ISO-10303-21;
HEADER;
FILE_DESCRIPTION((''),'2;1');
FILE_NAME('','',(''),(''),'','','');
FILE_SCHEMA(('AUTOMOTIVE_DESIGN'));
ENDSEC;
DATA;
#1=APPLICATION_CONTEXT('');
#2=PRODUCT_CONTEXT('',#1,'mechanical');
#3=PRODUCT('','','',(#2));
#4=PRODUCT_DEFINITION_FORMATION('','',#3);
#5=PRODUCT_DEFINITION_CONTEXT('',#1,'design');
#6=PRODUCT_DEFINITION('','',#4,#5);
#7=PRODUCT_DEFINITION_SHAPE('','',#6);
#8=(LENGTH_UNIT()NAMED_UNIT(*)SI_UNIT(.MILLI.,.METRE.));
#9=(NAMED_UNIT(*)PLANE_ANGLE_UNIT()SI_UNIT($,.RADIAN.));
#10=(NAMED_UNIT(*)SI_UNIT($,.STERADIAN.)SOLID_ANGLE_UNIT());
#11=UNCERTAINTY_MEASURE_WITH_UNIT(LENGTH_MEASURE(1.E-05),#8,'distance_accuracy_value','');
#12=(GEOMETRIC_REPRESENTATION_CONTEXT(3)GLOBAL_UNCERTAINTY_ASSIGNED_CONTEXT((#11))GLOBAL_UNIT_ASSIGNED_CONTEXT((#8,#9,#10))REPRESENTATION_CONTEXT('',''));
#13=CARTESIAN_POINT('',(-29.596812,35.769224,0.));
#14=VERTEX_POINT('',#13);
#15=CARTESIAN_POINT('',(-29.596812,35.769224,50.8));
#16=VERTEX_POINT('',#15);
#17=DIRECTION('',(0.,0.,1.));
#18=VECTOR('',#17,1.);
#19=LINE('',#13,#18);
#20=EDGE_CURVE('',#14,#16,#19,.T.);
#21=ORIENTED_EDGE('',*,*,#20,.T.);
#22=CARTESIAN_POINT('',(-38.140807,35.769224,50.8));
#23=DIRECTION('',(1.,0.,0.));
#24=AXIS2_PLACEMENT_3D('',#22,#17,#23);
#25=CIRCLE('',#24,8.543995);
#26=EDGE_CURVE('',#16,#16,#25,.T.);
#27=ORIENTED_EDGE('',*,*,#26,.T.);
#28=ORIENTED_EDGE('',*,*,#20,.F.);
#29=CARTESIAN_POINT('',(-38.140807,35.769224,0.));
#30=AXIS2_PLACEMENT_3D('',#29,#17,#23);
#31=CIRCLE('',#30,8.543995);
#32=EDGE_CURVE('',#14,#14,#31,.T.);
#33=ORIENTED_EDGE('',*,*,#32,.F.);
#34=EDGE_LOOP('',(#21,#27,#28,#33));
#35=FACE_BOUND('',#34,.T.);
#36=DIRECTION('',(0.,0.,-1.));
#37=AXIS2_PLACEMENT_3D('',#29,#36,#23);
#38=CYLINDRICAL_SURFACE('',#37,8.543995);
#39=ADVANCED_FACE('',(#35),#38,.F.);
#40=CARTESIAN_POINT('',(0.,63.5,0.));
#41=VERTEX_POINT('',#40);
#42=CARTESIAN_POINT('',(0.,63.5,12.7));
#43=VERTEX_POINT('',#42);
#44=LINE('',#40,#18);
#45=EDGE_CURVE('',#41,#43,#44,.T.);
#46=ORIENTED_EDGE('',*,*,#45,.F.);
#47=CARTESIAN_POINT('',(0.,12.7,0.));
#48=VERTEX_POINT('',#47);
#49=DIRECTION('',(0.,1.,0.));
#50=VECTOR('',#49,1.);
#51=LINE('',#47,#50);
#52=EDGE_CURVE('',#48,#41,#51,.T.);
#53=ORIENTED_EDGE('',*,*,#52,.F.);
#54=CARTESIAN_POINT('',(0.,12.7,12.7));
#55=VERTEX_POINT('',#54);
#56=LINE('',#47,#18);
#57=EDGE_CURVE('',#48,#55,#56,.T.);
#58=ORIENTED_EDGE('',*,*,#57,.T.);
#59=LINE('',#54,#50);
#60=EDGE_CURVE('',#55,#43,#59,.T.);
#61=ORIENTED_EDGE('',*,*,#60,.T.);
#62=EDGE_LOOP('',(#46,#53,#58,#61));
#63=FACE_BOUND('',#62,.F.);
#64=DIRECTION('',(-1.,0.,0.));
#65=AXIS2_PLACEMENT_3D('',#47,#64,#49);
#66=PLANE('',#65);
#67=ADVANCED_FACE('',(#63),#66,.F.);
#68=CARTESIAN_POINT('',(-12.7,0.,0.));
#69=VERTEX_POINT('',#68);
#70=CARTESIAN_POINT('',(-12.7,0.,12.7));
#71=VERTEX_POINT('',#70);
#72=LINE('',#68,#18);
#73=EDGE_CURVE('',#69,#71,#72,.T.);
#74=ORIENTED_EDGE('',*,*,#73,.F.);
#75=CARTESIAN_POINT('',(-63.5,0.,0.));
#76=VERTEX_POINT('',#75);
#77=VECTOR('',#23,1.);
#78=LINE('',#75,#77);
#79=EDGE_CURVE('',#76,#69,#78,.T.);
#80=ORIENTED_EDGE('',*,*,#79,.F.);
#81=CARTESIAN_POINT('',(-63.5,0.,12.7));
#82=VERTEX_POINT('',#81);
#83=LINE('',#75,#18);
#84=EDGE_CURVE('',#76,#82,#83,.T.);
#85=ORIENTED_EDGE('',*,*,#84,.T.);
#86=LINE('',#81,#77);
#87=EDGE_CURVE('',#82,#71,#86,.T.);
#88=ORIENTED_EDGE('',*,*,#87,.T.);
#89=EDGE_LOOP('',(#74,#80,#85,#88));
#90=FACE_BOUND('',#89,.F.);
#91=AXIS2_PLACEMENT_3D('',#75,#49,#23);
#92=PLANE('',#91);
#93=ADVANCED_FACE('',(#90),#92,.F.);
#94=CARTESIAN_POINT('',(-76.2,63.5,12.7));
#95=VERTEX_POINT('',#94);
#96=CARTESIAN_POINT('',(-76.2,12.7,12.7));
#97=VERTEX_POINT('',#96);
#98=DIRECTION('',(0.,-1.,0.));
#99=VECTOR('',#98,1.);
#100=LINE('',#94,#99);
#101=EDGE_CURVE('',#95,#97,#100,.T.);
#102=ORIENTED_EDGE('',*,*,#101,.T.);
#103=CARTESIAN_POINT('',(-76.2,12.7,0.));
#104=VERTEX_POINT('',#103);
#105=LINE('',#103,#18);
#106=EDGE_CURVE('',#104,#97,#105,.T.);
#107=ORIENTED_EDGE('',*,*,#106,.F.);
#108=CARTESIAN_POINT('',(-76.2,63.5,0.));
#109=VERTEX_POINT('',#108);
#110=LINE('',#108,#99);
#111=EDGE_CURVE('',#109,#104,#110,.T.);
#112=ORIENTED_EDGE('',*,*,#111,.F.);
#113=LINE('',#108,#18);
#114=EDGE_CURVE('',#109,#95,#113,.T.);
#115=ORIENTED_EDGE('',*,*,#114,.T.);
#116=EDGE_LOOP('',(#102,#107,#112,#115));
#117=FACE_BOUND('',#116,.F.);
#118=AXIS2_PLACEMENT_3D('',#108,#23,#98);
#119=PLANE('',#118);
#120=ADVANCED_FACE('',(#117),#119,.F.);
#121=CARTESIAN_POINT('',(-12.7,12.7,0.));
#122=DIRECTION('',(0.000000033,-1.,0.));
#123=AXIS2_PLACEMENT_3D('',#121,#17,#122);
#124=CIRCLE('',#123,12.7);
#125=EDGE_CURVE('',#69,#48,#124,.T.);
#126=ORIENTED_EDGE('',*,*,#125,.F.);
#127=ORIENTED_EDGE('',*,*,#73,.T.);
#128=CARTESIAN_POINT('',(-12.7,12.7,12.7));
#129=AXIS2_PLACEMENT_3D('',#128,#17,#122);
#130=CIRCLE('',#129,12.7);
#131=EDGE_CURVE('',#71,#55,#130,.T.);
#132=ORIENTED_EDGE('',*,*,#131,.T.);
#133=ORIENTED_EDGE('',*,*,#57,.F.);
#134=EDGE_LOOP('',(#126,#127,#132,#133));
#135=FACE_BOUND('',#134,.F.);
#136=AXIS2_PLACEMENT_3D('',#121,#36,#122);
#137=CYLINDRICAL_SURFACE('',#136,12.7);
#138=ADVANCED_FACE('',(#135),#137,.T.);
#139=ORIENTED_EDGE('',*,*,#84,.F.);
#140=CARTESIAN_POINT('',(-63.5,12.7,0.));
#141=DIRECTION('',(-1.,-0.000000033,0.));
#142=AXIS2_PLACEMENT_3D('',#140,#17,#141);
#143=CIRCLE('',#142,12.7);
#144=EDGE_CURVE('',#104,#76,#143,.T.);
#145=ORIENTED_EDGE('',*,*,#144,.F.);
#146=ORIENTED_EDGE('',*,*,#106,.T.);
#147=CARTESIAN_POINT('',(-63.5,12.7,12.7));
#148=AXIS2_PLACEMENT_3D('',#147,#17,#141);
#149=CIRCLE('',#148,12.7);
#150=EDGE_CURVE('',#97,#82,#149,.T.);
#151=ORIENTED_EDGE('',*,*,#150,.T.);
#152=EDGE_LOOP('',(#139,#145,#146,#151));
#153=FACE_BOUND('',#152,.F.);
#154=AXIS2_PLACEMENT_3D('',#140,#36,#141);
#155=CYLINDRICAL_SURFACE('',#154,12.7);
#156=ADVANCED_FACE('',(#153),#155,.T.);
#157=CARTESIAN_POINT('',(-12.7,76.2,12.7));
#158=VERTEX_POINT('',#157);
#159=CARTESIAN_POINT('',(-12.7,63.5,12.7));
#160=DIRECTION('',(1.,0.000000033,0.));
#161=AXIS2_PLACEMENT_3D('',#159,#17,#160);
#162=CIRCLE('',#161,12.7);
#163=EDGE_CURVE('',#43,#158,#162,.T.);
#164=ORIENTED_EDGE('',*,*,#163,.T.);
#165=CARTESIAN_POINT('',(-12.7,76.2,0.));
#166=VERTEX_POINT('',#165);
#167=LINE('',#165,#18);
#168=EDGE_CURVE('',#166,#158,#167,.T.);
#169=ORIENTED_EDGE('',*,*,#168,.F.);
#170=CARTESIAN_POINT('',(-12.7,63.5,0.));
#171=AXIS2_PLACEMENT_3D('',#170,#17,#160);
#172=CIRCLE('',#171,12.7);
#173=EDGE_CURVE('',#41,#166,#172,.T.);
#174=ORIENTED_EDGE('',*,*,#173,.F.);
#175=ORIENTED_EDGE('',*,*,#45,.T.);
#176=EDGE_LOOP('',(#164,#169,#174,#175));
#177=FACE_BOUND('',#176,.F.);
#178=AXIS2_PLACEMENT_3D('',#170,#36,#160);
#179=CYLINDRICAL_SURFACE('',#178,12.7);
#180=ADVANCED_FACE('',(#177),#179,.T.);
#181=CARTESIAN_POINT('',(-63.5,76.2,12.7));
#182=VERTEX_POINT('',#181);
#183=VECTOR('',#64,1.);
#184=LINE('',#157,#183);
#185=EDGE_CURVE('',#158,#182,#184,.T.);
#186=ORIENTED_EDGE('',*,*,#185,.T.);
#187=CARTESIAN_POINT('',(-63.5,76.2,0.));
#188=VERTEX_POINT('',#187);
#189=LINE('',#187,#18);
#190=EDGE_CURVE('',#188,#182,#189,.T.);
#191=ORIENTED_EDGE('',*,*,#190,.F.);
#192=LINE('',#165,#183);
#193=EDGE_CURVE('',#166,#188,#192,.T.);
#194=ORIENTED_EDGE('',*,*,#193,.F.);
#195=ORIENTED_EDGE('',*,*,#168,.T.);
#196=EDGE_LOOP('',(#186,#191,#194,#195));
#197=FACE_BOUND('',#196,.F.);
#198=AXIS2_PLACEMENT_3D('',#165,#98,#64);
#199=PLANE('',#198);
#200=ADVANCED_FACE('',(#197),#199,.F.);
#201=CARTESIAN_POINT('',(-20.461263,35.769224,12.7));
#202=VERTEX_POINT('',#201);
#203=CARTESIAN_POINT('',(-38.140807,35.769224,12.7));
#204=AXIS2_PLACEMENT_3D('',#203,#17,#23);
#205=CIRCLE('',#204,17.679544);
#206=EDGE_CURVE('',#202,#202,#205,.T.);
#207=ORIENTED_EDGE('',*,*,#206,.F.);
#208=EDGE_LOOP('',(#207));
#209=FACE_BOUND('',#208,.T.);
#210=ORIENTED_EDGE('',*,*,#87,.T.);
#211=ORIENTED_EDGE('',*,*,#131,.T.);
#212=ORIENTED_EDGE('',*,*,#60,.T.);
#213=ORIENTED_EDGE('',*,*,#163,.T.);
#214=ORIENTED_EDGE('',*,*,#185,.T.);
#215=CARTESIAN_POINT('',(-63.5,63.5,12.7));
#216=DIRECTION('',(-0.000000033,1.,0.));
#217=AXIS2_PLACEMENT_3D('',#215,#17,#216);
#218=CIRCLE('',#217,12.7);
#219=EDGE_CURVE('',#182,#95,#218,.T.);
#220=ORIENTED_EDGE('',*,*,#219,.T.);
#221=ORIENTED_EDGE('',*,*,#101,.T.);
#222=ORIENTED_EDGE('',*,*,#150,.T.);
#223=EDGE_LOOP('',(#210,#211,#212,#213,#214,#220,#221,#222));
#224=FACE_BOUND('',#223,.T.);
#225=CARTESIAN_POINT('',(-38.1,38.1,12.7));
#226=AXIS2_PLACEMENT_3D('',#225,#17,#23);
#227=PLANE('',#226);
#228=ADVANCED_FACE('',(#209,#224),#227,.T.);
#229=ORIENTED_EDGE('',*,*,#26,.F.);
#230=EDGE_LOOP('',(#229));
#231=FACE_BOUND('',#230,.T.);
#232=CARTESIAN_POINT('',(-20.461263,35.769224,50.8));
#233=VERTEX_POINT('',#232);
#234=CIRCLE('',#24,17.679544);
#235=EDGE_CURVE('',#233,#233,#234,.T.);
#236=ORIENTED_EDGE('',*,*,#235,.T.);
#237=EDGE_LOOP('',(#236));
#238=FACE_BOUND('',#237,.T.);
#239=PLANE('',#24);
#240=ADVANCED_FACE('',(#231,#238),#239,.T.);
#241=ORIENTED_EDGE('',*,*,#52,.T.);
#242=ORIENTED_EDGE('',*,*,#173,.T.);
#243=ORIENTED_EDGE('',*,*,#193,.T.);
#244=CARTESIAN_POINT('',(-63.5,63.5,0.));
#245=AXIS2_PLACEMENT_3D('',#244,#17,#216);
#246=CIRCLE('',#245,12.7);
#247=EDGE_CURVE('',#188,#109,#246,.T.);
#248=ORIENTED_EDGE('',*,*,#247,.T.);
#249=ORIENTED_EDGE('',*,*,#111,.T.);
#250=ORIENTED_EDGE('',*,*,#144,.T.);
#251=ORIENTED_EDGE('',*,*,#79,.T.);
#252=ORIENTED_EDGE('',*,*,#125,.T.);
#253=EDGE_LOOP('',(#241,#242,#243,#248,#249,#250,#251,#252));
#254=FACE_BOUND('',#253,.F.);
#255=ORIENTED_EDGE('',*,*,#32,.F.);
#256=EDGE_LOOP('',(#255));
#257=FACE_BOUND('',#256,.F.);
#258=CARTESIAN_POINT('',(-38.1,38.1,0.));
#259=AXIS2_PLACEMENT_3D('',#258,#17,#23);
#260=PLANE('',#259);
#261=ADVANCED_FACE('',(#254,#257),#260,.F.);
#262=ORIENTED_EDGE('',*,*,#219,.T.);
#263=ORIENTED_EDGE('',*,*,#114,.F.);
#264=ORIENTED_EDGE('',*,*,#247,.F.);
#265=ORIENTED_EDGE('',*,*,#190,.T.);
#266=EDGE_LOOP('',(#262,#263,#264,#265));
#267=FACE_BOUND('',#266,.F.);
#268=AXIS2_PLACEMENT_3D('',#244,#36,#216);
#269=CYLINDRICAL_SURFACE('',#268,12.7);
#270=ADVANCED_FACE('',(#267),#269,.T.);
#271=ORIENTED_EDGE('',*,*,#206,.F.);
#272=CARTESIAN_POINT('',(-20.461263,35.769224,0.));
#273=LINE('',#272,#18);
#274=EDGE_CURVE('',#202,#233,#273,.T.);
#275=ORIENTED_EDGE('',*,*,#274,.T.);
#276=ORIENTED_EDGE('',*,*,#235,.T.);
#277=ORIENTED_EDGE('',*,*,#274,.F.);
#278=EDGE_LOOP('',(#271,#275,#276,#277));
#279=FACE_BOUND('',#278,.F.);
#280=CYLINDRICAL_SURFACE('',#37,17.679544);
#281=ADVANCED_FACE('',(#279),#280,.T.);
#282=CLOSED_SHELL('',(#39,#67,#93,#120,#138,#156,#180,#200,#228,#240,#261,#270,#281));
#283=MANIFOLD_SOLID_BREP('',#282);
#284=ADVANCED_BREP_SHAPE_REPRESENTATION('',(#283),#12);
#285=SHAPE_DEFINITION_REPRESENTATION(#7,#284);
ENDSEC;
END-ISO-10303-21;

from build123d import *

# Parameters (mm, degrees)
F0_R     = 17.679544
F1_DEPTH = 12.7
F0_R_2   = 8.543995
F2_DEPTH = 50.8


with BuildPart() as f1:
    # F0 (on Top) → F1 (new body)
    with BuildSketch(Plane.XY):
        with BuildLine():
            Line((-63.5, 0), (-12.7, 0))
            ThreePointArc((-12.7, 0), (-3.719744, 3.719744), (0, 12.7))
            Line((0, 12.7), (0, 63.5))
            ThreePointArc((0, 63.5), (-3.719744, 72.480256), (-12.7, 76.2))
            Line((-12.7, 76.2), (-63.5, 76.2))
            ThreePointArc((-63.5, 76.2), (-72.480256, 72.480256), (-76.2, 63.5))
            Line((-76.2, 63.5), (-76.2, 12.7))
            ThreePointArc((-76.2, 12.7), (-72.480256, 3.719744), (-63.5, 0))
        make_face()
        with Locations((-38.140807, 35.769224)):
            Circle(F0_R, mode=Mode.SUBTRACT)
    extrude(amount=F1_DEPTH)

    # F0 (on Top) → F2 (join)
    with BuildSketch(Plane.XY):
        with Locations((-38.140807, 35.769224)):
            Circle(F0_R)
        with Locations((-38.140807, 35.769224)):
            Circle(F0_R_2, mode=Mode.SUBTRACT)
    extrude(amount=F2_DEPTH)


solid = f1.part
